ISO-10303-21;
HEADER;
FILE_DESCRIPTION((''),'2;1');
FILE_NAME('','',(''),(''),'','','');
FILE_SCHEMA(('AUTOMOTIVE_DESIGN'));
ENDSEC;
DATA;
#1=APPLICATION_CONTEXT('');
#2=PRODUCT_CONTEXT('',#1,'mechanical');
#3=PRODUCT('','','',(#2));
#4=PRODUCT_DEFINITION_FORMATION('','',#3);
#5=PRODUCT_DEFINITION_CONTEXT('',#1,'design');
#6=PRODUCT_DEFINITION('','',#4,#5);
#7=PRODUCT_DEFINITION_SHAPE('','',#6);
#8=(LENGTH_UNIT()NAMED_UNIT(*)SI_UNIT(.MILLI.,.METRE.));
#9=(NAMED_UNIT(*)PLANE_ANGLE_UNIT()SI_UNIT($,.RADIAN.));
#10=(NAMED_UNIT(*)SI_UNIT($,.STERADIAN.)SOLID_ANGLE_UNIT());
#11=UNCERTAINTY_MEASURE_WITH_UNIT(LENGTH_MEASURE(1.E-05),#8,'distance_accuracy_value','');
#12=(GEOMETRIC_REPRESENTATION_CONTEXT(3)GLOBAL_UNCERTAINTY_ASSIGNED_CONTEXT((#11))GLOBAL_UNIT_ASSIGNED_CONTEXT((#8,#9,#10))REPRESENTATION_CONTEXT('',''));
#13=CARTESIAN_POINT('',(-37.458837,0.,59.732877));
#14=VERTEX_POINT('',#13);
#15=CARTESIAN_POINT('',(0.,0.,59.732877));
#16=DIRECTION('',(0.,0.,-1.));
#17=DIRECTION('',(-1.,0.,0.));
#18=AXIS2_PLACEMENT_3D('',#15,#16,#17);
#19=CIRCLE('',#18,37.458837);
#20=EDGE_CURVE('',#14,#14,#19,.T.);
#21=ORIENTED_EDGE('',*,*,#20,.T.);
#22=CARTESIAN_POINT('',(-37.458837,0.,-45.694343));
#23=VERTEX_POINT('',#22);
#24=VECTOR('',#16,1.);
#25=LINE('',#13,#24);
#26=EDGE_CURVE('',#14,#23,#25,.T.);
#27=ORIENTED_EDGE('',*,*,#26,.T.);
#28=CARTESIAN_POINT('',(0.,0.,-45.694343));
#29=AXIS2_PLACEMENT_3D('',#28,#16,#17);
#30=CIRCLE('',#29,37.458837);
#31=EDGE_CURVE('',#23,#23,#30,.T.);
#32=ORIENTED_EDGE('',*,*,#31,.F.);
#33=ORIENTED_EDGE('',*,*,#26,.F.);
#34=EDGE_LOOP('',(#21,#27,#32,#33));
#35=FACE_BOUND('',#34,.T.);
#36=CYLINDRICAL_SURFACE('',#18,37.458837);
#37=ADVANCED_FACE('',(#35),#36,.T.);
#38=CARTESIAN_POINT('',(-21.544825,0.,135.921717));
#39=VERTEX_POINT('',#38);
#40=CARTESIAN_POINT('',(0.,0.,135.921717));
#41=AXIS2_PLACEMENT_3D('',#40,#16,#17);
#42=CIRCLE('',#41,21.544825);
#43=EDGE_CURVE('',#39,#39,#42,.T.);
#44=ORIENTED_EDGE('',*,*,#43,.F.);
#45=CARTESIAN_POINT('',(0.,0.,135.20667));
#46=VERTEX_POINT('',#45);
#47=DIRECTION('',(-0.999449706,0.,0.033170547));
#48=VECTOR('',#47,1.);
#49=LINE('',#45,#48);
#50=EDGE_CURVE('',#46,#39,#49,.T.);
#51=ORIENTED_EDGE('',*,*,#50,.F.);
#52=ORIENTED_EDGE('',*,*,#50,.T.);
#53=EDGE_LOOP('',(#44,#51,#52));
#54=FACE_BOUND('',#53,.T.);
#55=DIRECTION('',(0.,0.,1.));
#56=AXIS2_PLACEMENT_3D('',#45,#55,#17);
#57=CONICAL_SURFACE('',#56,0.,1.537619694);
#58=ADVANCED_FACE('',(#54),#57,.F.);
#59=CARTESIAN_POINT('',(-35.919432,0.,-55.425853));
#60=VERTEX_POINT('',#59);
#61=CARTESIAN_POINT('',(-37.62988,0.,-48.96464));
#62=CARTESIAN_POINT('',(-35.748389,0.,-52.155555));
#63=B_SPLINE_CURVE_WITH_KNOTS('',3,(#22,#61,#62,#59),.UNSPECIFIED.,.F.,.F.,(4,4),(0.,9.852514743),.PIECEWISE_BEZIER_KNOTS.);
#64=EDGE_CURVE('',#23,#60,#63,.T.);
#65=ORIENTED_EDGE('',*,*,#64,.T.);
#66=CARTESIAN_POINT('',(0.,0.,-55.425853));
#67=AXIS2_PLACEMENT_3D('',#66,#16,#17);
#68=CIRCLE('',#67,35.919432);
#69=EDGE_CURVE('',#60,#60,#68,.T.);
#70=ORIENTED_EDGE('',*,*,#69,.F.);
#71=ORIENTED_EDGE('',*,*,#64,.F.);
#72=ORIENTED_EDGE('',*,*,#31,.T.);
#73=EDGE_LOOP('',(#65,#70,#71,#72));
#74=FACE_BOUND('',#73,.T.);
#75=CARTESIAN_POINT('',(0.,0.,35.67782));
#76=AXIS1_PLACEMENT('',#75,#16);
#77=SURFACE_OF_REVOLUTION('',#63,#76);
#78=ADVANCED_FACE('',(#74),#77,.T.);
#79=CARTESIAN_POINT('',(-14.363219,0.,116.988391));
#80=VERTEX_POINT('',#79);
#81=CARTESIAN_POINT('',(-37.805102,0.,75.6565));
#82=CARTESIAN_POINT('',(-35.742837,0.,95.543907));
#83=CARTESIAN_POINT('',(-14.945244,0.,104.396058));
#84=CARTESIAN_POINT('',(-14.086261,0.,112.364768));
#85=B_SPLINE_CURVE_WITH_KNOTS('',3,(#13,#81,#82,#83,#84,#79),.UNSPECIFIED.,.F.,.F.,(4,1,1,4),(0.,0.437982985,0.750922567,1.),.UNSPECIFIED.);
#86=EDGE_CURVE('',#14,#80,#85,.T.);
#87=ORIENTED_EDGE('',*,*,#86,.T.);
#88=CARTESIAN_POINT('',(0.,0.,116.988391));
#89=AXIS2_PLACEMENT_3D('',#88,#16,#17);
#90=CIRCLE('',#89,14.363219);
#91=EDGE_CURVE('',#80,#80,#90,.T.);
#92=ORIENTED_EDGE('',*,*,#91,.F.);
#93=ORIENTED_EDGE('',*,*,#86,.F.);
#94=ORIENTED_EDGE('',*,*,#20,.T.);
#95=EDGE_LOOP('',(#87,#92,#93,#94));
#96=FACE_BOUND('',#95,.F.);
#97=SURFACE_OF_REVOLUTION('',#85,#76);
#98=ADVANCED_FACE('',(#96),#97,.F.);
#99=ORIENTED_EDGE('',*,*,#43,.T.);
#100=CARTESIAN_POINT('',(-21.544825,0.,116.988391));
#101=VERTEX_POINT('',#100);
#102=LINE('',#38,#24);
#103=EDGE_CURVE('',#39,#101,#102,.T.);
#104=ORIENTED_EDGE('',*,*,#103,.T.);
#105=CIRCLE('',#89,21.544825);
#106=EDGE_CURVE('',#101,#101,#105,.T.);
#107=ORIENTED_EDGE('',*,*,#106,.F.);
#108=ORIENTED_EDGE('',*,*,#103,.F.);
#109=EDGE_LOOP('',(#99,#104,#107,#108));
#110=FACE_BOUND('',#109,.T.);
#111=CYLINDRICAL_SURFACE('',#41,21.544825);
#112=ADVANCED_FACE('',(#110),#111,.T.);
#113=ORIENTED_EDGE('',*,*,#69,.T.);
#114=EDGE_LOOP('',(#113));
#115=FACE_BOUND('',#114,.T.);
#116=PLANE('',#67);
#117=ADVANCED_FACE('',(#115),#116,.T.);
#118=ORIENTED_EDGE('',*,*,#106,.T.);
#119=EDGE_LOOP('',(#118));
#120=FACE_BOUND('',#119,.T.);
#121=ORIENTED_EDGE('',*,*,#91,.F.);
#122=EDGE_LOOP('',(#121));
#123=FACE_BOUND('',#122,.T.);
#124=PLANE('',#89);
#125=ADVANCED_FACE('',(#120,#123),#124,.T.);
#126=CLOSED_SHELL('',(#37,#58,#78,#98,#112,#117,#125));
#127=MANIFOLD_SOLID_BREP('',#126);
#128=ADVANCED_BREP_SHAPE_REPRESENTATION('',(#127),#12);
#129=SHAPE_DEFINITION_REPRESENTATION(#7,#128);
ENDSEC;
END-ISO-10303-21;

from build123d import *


with BuildPart() as f1:
    # F0 (on Front) → F1 (revolve)
    with BuildSketch(Plane.XZ):
        with BuildLine():
            Line((-37.4588370323, 59.732876718), (-37.4588370323, 48.8092340529))
            Line((-37.4588370323, 48.8092340529), (-37.4588370323, -45.6943430106))
            add(Edge.make_bspline(
                [(-37.4588370323, -45.6943430106), (-37.6298800111, -48.9646402564), (-35.7483886182, -52.1555552913), (-35.919431597, -55.4258525372)],
                knots=[0, 0, 0, 0, 9.852514743, 9.852514743, 9.852514743, 9.852514743], degree=3))
            Line((-35.919431597, -55.4258525372), (0, -55.4258525372))
            Line((0, -55.4258525372), (0, 126.7814934254))
            Line((0, 126.7814934254), (0, 135.206669569))
            Line((0, 135.206669569), (-21.5448252857, 135.9217166901))
            Line((-21.5448252857, 135.9217166901), (-21.5448252857, 116.9883906841))
            Line((-21.5448252857, 116.9883906841), (-14.3632190302, 116.9883906841))
            add(Edge.make_bspline(
                [(-37.4588370323, 59.732876718), (-37.8051019347, 75.656499795), (-35.7428372279, 95.5439069808), (-14.945244298, 104.3960584298), (-14.0862612605, 112.3647683936), (-14.3632190302, 116.9883906841)],
                knots=[0, 0, 0, 0, 0.4379829854, 0.7509225673, 1, 1, 1, 1], degree=3))
        make_face()
    revolve(axis=Axis((0, 0, 35.6778204441), (0, 0, -1)))


solid = f1.part
